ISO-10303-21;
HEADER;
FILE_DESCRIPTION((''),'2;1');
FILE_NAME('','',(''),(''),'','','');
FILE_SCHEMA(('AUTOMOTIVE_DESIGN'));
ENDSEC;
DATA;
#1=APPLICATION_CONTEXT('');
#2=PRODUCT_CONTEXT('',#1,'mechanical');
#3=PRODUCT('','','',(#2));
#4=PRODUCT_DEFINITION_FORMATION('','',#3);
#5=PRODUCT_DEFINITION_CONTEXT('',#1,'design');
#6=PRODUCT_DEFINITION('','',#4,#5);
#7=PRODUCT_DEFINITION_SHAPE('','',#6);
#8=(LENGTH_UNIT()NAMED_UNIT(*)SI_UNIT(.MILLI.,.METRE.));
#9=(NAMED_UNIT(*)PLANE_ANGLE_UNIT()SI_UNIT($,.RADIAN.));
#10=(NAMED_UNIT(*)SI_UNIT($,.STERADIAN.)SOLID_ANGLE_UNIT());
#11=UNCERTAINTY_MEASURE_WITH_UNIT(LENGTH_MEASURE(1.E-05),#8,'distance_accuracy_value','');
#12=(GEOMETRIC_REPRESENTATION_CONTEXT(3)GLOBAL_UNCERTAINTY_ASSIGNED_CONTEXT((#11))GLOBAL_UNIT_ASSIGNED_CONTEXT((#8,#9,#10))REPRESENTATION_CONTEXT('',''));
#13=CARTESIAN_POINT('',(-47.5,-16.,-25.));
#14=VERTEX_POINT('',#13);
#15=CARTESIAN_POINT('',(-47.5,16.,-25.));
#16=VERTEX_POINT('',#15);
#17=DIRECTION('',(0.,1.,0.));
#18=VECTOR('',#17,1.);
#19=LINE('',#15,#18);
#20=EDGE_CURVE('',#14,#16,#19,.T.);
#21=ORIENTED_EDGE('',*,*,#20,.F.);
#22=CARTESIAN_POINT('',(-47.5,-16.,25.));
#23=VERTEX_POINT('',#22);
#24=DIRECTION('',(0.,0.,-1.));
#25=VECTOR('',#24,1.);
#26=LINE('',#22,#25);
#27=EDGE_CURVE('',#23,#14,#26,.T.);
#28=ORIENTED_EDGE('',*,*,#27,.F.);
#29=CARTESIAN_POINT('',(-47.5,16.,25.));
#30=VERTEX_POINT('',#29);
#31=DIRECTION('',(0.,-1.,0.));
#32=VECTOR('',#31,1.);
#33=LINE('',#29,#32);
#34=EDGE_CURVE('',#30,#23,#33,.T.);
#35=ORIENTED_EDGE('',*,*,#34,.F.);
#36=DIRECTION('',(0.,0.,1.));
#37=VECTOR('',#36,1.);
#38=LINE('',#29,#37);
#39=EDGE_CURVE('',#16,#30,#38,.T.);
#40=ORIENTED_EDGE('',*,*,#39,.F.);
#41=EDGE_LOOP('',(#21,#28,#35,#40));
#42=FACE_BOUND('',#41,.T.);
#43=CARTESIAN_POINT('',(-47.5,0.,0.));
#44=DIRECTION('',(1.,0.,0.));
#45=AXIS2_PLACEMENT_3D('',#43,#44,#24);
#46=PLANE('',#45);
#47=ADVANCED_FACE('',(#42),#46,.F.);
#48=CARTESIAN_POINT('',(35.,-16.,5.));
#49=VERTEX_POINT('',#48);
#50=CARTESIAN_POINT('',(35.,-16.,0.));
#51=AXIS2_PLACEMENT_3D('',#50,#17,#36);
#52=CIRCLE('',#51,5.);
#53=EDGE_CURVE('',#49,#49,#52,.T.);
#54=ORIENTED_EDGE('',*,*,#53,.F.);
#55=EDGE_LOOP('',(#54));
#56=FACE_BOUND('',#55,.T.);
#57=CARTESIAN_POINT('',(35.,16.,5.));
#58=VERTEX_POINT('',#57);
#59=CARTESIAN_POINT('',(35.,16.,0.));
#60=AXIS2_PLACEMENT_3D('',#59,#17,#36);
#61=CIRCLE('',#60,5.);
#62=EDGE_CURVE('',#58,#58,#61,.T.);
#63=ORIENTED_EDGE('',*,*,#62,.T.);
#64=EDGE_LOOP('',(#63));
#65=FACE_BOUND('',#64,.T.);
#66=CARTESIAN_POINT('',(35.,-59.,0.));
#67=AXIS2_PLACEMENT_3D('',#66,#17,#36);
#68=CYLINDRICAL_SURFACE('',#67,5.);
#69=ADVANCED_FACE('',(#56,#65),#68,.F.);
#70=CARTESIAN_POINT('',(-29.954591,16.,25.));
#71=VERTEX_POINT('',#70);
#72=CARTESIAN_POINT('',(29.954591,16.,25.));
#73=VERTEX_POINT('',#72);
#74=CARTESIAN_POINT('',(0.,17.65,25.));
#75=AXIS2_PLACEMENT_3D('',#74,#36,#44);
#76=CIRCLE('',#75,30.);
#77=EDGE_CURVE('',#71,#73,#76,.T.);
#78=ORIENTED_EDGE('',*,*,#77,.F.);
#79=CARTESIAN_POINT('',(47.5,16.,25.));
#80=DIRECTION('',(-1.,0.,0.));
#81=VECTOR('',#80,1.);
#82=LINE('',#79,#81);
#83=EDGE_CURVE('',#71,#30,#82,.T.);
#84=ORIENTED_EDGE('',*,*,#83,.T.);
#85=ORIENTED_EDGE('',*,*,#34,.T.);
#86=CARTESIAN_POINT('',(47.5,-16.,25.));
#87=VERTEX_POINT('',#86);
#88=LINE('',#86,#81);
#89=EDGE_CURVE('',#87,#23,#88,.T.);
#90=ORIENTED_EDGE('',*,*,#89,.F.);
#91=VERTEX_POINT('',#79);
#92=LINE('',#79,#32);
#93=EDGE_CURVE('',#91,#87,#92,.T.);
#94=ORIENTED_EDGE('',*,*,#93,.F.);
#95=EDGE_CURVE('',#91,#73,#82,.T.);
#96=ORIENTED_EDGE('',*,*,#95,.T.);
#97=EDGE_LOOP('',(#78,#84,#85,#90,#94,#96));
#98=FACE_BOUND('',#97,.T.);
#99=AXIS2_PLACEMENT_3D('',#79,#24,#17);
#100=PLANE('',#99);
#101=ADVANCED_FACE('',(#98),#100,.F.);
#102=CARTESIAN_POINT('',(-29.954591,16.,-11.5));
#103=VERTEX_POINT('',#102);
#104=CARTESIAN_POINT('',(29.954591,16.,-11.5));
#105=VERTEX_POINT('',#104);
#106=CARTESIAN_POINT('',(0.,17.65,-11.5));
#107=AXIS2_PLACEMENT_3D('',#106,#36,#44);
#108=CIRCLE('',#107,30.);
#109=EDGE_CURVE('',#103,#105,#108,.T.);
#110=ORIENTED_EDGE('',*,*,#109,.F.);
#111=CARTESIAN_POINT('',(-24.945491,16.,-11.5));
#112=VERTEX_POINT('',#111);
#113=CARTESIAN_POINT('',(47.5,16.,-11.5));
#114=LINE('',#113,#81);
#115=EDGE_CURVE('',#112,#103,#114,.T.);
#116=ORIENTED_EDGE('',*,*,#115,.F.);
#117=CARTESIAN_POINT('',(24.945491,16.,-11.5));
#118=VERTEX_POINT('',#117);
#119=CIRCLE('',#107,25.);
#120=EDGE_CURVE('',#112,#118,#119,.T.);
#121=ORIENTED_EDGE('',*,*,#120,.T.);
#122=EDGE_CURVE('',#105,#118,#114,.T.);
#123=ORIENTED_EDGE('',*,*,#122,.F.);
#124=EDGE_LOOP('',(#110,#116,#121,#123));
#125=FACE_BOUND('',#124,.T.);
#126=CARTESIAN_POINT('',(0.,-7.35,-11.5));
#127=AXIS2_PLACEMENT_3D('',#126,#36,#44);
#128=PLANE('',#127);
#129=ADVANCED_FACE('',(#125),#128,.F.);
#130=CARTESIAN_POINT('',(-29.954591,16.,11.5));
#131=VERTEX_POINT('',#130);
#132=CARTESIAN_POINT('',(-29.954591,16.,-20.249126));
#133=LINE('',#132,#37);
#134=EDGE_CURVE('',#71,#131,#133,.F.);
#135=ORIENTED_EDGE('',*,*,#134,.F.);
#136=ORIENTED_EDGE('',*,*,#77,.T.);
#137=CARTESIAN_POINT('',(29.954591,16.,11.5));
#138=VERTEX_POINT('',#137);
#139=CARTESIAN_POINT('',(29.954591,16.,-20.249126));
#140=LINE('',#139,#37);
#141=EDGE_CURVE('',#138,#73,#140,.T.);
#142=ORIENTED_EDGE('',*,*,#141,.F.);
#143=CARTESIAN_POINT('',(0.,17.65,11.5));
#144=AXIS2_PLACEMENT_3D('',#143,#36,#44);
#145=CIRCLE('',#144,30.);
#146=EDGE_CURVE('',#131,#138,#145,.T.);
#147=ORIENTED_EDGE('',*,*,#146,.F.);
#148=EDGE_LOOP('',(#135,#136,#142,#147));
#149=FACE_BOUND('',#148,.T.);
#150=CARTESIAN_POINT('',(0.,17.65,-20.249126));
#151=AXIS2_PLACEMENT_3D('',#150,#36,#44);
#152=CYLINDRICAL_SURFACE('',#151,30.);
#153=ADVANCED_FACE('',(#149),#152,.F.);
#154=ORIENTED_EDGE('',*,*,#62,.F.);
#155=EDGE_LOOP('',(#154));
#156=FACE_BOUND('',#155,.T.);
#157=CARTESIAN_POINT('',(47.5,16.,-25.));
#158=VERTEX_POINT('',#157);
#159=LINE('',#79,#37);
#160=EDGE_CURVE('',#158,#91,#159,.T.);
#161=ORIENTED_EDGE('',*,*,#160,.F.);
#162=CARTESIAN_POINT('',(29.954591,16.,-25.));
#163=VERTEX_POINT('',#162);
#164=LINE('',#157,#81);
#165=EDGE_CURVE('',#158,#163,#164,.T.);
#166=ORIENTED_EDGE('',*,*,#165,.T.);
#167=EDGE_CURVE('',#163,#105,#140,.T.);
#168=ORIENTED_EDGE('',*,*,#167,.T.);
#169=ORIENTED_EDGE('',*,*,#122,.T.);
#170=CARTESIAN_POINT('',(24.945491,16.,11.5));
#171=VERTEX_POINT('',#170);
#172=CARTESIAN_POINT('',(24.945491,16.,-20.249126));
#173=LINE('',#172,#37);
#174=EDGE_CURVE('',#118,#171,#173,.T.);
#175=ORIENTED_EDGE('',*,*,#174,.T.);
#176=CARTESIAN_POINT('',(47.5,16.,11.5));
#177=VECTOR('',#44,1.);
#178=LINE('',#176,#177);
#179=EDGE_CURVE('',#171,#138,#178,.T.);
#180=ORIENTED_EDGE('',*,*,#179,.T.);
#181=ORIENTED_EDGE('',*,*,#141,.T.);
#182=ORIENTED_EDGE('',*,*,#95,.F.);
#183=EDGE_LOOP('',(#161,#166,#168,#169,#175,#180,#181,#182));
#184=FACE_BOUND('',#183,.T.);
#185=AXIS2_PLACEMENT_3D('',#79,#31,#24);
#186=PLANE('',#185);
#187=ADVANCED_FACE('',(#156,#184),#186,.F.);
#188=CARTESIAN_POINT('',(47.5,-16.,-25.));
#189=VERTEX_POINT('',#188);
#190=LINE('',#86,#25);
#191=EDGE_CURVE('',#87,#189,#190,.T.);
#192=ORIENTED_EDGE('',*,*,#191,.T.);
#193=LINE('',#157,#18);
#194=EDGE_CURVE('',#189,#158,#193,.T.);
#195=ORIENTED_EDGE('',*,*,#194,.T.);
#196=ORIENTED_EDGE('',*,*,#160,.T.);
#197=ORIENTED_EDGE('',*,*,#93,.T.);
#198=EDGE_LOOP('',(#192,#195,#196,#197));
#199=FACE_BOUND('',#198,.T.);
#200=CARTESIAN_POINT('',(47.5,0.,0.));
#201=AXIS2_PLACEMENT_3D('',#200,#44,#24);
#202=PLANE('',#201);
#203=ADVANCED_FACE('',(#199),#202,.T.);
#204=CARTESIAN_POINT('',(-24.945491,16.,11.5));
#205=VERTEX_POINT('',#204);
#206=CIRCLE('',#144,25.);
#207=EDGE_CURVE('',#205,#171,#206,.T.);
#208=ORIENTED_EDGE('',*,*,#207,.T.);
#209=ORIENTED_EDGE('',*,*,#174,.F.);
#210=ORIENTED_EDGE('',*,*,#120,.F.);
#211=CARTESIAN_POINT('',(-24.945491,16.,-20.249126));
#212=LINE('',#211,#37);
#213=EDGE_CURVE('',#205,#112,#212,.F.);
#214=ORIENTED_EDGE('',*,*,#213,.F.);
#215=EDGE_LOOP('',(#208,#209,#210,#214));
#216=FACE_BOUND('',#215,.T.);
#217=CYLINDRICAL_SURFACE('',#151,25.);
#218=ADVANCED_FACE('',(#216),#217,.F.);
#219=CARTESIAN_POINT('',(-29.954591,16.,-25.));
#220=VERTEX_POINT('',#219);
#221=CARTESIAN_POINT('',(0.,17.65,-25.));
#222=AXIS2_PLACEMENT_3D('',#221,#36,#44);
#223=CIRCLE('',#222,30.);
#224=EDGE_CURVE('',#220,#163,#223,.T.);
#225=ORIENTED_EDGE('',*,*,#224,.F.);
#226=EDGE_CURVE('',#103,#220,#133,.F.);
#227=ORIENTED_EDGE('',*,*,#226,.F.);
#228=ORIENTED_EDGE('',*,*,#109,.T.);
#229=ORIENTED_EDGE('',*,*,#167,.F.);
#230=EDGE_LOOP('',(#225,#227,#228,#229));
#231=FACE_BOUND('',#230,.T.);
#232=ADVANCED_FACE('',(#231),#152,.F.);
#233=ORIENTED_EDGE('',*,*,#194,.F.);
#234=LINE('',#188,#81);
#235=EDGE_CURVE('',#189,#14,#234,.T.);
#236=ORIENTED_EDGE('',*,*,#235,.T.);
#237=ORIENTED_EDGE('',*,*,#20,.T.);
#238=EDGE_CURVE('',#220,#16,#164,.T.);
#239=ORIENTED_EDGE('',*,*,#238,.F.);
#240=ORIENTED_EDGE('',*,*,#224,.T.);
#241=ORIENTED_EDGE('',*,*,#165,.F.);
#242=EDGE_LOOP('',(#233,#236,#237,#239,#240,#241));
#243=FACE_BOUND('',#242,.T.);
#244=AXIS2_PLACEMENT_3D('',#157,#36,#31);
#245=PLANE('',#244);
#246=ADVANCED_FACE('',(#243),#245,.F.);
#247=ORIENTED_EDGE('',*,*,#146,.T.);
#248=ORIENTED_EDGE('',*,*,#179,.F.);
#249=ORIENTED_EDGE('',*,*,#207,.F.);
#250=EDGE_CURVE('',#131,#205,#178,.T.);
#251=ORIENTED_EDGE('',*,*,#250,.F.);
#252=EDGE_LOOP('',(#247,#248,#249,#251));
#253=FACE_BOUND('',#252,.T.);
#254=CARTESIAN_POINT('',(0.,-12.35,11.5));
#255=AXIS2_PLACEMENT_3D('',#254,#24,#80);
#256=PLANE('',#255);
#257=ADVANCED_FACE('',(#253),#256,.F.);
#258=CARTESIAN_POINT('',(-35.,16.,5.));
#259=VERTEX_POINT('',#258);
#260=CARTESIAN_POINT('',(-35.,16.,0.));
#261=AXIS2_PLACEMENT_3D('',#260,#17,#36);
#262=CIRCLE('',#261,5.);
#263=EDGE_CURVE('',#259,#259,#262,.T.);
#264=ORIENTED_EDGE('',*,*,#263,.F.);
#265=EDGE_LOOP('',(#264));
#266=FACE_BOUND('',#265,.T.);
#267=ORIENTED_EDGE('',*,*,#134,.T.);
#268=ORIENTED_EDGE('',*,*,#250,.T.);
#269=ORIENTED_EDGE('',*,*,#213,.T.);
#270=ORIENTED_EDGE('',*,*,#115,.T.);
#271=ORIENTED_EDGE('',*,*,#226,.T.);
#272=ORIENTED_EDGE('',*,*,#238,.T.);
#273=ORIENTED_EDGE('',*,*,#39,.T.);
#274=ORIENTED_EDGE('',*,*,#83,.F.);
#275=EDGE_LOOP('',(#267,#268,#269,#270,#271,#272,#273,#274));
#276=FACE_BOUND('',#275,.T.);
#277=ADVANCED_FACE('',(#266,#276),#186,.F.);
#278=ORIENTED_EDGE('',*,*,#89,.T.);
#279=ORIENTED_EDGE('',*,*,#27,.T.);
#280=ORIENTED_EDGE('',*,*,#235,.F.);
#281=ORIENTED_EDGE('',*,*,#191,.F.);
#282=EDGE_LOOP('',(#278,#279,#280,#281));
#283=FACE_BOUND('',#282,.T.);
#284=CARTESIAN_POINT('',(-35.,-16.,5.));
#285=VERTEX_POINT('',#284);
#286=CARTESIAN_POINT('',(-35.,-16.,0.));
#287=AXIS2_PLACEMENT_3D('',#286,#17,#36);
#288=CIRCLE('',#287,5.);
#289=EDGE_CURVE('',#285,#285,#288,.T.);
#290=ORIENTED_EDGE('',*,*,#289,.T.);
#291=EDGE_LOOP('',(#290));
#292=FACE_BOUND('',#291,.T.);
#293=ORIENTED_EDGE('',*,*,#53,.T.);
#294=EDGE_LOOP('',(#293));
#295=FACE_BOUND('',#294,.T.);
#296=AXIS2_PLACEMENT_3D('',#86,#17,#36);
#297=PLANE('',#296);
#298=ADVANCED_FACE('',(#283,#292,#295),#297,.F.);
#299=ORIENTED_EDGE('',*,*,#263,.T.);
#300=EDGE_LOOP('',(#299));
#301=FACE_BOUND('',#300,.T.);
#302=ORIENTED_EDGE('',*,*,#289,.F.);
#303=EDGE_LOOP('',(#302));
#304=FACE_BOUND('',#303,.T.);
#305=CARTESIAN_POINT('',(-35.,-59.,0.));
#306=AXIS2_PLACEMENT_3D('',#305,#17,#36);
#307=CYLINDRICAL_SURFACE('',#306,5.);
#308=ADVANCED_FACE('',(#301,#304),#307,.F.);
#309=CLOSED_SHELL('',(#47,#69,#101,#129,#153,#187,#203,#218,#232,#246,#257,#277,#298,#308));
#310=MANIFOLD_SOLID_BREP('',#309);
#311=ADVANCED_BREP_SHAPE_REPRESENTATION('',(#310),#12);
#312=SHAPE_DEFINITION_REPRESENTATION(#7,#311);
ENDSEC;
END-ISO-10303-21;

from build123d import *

# Parameters (mm, degrees)
SKETCH1_W           = 50
SKETCH1_H           = 32
BOSS_EXTRUDE1_DEPTH = 47.5
SKETCH4_R           = 5
CUT_EXTRUDE1_DEPTH  = 75


with BuildPart() as part:
    # Sketch1 → Boss-Extrude1 (new, symmetric)
    with BuildSketch(Plane(origin=(0, 0, 0), x_dir=(0, 0, -1), z_dir=(1, 0, 0))):
        Rectangle(SKETCH1_W, SKETCH1_H)
    extrude(amount=BOSS_EXTRUDE1_DEPTH, both=True)

    # Sketch3 → Cut-Revolve1 (revolve, cut)
    with BuildSketch(Plane(origin=(0, 0, 0), x_dir=(0, 0, -1), z_dir=(1, 0, 0))):
        Polygon((-25, -12.35), (-11.5, -12.35), (-11.5, -7.35), (11.5, -7.35), (11.5, -12.35), (25, -12.35), (25, 16.59588936), (-25, 16.59588936), align=None)
    revolve(axis=Axis((0, 17.65, -20.249126458), (0, 0, -1)), mode=Mode.SUBTRACT)

    # Sketch4 → Cut-Extrude1 (cut)
    with BuildSketch(Plane(origin=(0, 16, 0), x_dir=(1, 0, 0), z_dir=(0, 1, 0))):
        with Locations(Location((-35, 0, 0), (0, 0, 270))):
            Circle(SKETCH4_R)
        with Locations(Location((35, 0, 0), (0, 0, 270))):
            Circle(SKETCH4_R)
    extrude(amount=-CUT_EXTRUDE1_DEPTH, mode=Mode.SUBTRACT)


solid = part.part
